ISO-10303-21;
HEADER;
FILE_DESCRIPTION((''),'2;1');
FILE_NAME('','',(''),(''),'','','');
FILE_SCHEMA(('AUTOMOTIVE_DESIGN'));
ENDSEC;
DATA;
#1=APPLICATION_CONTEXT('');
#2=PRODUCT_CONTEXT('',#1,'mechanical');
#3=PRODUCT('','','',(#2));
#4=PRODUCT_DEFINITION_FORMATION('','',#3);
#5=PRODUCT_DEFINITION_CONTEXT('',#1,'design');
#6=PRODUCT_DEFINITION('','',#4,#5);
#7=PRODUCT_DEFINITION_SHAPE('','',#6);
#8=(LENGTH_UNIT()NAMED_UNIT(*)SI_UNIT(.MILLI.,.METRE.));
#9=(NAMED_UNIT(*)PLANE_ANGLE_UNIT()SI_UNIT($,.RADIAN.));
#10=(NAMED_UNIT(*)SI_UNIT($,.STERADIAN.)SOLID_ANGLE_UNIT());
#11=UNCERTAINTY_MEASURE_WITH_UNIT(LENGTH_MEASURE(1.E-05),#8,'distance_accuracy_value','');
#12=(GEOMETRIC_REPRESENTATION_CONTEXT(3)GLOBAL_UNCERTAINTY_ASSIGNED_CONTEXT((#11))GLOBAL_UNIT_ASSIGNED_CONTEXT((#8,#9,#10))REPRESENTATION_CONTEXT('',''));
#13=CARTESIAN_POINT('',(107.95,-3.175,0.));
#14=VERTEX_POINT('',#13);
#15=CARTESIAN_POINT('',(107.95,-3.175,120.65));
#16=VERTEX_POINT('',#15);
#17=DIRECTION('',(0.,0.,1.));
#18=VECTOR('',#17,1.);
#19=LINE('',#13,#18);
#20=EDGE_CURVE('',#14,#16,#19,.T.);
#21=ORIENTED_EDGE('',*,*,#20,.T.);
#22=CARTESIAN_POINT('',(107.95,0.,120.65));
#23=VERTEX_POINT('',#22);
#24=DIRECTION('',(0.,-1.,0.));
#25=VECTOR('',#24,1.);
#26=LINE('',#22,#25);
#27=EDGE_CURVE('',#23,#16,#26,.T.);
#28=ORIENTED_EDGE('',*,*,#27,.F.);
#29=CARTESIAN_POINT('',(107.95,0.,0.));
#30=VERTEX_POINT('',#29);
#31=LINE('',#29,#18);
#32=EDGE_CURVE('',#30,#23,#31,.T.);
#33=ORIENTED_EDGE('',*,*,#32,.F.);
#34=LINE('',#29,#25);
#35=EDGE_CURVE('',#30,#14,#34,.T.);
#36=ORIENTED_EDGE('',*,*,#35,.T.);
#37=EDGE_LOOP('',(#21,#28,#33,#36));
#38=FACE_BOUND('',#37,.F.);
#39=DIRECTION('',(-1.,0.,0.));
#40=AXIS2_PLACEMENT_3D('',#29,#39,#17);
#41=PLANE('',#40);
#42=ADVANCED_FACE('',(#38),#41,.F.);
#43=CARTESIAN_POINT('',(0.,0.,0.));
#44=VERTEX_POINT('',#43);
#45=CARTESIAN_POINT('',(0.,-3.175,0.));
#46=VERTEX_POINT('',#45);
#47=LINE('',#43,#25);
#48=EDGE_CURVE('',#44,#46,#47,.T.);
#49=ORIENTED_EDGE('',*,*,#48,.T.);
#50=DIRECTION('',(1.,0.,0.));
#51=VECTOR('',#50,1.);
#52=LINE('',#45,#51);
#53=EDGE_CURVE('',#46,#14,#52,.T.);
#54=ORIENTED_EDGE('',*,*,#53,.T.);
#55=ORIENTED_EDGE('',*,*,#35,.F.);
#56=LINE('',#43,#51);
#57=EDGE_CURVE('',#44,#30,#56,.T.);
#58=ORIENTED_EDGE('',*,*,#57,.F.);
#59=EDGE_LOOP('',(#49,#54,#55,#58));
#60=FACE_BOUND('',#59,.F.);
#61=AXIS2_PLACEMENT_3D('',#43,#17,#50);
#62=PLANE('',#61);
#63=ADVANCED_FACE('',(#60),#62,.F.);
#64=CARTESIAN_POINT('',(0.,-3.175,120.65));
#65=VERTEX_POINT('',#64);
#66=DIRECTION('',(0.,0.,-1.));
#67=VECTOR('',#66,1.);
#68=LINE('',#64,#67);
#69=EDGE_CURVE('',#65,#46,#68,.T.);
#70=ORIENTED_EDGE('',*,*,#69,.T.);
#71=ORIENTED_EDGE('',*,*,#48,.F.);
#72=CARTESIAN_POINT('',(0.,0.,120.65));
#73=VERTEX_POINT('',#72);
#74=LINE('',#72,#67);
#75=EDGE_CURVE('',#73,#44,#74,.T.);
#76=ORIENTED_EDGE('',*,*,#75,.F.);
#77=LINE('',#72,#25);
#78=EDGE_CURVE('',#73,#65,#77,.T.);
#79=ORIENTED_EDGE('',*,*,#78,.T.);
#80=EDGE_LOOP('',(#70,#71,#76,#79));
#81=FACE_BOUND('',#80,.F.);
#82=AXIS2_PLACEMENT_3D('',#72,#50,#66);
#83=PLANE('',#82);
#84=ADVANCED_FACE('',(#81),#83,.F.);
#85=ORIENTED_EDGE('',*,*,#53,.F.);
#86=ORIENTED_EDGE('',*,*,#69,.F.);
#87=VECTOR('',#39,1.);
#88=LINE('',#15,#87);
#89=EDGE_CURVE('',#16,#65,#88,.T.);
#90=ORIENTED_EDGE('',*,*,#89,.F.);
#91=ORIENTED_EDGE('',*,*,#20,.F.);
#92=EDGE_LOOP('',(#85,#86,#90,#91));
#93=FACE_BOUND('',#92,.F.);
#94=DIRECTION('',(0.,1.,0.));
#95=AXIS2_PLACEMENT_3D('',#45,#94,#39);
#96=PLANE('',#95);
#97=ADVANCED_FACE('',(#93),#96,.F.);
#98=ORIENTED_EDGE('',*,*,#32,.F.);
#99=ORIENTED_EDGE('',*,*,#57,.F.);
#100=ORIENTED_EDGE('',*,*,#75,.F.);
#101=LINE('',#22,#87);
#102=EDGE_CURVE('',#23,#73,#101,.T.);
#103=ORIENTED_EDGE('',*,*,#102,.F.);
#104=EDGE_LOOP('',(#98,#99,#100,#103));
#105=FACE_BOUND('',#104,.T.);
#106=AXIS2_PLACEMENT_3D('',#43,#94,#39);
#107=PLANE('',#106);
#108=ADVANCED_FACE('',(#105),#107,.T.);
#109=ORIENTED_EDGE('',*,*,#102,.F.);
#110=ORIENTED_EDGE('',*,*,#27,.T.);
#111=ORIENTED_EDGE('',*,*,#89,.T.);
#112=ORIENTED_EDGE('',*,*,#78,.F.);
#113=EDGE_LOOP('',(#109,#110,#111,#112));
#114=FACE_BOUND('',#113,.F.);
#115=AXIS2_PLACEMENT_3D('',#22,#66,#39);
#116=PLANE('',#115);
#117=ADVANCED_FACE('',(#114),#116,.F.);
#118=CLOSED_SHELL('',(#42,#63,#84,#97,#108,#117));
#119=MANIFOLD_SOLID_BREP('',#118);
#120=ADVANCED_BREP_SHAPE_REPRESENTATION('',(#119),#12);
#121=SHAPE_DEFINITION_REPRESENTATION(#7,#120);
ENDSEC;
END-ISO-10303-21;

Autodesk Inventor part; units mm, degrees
ref_plane "YZ Plane" through (0, 0, 0) normal (1, 0, 0) x (0, 1, 0)
ref_plane "XZ Plane" through (0, 0, 0) normal (0, 1, 0) x (-1, 0, 0)
ref_plane "XY Plane" through (0, 0, 0) normal (0, 0, 1) x (1, 0, 0)
sketch "Sketch1" plane through (0, 0, 0) normal (0, 1, 0) x (-1, 0, 0)
  line L0 (0, 0) -> (-107.95, 0)
  line L1 (-107.95, 0) -> (-107.95, 120.65)
  line L2 (-107.95, 120.65) -> (0, 120.65)
  line L3 (0, 120.65) -> (0, 0)
  dimension "d0" = 107.95
  dimension "d1" = 120.65
extrude "Extrusion1" add sketch "Sketch1" against normal blind 3.175
properties part number "Electronics Container Part 1"
